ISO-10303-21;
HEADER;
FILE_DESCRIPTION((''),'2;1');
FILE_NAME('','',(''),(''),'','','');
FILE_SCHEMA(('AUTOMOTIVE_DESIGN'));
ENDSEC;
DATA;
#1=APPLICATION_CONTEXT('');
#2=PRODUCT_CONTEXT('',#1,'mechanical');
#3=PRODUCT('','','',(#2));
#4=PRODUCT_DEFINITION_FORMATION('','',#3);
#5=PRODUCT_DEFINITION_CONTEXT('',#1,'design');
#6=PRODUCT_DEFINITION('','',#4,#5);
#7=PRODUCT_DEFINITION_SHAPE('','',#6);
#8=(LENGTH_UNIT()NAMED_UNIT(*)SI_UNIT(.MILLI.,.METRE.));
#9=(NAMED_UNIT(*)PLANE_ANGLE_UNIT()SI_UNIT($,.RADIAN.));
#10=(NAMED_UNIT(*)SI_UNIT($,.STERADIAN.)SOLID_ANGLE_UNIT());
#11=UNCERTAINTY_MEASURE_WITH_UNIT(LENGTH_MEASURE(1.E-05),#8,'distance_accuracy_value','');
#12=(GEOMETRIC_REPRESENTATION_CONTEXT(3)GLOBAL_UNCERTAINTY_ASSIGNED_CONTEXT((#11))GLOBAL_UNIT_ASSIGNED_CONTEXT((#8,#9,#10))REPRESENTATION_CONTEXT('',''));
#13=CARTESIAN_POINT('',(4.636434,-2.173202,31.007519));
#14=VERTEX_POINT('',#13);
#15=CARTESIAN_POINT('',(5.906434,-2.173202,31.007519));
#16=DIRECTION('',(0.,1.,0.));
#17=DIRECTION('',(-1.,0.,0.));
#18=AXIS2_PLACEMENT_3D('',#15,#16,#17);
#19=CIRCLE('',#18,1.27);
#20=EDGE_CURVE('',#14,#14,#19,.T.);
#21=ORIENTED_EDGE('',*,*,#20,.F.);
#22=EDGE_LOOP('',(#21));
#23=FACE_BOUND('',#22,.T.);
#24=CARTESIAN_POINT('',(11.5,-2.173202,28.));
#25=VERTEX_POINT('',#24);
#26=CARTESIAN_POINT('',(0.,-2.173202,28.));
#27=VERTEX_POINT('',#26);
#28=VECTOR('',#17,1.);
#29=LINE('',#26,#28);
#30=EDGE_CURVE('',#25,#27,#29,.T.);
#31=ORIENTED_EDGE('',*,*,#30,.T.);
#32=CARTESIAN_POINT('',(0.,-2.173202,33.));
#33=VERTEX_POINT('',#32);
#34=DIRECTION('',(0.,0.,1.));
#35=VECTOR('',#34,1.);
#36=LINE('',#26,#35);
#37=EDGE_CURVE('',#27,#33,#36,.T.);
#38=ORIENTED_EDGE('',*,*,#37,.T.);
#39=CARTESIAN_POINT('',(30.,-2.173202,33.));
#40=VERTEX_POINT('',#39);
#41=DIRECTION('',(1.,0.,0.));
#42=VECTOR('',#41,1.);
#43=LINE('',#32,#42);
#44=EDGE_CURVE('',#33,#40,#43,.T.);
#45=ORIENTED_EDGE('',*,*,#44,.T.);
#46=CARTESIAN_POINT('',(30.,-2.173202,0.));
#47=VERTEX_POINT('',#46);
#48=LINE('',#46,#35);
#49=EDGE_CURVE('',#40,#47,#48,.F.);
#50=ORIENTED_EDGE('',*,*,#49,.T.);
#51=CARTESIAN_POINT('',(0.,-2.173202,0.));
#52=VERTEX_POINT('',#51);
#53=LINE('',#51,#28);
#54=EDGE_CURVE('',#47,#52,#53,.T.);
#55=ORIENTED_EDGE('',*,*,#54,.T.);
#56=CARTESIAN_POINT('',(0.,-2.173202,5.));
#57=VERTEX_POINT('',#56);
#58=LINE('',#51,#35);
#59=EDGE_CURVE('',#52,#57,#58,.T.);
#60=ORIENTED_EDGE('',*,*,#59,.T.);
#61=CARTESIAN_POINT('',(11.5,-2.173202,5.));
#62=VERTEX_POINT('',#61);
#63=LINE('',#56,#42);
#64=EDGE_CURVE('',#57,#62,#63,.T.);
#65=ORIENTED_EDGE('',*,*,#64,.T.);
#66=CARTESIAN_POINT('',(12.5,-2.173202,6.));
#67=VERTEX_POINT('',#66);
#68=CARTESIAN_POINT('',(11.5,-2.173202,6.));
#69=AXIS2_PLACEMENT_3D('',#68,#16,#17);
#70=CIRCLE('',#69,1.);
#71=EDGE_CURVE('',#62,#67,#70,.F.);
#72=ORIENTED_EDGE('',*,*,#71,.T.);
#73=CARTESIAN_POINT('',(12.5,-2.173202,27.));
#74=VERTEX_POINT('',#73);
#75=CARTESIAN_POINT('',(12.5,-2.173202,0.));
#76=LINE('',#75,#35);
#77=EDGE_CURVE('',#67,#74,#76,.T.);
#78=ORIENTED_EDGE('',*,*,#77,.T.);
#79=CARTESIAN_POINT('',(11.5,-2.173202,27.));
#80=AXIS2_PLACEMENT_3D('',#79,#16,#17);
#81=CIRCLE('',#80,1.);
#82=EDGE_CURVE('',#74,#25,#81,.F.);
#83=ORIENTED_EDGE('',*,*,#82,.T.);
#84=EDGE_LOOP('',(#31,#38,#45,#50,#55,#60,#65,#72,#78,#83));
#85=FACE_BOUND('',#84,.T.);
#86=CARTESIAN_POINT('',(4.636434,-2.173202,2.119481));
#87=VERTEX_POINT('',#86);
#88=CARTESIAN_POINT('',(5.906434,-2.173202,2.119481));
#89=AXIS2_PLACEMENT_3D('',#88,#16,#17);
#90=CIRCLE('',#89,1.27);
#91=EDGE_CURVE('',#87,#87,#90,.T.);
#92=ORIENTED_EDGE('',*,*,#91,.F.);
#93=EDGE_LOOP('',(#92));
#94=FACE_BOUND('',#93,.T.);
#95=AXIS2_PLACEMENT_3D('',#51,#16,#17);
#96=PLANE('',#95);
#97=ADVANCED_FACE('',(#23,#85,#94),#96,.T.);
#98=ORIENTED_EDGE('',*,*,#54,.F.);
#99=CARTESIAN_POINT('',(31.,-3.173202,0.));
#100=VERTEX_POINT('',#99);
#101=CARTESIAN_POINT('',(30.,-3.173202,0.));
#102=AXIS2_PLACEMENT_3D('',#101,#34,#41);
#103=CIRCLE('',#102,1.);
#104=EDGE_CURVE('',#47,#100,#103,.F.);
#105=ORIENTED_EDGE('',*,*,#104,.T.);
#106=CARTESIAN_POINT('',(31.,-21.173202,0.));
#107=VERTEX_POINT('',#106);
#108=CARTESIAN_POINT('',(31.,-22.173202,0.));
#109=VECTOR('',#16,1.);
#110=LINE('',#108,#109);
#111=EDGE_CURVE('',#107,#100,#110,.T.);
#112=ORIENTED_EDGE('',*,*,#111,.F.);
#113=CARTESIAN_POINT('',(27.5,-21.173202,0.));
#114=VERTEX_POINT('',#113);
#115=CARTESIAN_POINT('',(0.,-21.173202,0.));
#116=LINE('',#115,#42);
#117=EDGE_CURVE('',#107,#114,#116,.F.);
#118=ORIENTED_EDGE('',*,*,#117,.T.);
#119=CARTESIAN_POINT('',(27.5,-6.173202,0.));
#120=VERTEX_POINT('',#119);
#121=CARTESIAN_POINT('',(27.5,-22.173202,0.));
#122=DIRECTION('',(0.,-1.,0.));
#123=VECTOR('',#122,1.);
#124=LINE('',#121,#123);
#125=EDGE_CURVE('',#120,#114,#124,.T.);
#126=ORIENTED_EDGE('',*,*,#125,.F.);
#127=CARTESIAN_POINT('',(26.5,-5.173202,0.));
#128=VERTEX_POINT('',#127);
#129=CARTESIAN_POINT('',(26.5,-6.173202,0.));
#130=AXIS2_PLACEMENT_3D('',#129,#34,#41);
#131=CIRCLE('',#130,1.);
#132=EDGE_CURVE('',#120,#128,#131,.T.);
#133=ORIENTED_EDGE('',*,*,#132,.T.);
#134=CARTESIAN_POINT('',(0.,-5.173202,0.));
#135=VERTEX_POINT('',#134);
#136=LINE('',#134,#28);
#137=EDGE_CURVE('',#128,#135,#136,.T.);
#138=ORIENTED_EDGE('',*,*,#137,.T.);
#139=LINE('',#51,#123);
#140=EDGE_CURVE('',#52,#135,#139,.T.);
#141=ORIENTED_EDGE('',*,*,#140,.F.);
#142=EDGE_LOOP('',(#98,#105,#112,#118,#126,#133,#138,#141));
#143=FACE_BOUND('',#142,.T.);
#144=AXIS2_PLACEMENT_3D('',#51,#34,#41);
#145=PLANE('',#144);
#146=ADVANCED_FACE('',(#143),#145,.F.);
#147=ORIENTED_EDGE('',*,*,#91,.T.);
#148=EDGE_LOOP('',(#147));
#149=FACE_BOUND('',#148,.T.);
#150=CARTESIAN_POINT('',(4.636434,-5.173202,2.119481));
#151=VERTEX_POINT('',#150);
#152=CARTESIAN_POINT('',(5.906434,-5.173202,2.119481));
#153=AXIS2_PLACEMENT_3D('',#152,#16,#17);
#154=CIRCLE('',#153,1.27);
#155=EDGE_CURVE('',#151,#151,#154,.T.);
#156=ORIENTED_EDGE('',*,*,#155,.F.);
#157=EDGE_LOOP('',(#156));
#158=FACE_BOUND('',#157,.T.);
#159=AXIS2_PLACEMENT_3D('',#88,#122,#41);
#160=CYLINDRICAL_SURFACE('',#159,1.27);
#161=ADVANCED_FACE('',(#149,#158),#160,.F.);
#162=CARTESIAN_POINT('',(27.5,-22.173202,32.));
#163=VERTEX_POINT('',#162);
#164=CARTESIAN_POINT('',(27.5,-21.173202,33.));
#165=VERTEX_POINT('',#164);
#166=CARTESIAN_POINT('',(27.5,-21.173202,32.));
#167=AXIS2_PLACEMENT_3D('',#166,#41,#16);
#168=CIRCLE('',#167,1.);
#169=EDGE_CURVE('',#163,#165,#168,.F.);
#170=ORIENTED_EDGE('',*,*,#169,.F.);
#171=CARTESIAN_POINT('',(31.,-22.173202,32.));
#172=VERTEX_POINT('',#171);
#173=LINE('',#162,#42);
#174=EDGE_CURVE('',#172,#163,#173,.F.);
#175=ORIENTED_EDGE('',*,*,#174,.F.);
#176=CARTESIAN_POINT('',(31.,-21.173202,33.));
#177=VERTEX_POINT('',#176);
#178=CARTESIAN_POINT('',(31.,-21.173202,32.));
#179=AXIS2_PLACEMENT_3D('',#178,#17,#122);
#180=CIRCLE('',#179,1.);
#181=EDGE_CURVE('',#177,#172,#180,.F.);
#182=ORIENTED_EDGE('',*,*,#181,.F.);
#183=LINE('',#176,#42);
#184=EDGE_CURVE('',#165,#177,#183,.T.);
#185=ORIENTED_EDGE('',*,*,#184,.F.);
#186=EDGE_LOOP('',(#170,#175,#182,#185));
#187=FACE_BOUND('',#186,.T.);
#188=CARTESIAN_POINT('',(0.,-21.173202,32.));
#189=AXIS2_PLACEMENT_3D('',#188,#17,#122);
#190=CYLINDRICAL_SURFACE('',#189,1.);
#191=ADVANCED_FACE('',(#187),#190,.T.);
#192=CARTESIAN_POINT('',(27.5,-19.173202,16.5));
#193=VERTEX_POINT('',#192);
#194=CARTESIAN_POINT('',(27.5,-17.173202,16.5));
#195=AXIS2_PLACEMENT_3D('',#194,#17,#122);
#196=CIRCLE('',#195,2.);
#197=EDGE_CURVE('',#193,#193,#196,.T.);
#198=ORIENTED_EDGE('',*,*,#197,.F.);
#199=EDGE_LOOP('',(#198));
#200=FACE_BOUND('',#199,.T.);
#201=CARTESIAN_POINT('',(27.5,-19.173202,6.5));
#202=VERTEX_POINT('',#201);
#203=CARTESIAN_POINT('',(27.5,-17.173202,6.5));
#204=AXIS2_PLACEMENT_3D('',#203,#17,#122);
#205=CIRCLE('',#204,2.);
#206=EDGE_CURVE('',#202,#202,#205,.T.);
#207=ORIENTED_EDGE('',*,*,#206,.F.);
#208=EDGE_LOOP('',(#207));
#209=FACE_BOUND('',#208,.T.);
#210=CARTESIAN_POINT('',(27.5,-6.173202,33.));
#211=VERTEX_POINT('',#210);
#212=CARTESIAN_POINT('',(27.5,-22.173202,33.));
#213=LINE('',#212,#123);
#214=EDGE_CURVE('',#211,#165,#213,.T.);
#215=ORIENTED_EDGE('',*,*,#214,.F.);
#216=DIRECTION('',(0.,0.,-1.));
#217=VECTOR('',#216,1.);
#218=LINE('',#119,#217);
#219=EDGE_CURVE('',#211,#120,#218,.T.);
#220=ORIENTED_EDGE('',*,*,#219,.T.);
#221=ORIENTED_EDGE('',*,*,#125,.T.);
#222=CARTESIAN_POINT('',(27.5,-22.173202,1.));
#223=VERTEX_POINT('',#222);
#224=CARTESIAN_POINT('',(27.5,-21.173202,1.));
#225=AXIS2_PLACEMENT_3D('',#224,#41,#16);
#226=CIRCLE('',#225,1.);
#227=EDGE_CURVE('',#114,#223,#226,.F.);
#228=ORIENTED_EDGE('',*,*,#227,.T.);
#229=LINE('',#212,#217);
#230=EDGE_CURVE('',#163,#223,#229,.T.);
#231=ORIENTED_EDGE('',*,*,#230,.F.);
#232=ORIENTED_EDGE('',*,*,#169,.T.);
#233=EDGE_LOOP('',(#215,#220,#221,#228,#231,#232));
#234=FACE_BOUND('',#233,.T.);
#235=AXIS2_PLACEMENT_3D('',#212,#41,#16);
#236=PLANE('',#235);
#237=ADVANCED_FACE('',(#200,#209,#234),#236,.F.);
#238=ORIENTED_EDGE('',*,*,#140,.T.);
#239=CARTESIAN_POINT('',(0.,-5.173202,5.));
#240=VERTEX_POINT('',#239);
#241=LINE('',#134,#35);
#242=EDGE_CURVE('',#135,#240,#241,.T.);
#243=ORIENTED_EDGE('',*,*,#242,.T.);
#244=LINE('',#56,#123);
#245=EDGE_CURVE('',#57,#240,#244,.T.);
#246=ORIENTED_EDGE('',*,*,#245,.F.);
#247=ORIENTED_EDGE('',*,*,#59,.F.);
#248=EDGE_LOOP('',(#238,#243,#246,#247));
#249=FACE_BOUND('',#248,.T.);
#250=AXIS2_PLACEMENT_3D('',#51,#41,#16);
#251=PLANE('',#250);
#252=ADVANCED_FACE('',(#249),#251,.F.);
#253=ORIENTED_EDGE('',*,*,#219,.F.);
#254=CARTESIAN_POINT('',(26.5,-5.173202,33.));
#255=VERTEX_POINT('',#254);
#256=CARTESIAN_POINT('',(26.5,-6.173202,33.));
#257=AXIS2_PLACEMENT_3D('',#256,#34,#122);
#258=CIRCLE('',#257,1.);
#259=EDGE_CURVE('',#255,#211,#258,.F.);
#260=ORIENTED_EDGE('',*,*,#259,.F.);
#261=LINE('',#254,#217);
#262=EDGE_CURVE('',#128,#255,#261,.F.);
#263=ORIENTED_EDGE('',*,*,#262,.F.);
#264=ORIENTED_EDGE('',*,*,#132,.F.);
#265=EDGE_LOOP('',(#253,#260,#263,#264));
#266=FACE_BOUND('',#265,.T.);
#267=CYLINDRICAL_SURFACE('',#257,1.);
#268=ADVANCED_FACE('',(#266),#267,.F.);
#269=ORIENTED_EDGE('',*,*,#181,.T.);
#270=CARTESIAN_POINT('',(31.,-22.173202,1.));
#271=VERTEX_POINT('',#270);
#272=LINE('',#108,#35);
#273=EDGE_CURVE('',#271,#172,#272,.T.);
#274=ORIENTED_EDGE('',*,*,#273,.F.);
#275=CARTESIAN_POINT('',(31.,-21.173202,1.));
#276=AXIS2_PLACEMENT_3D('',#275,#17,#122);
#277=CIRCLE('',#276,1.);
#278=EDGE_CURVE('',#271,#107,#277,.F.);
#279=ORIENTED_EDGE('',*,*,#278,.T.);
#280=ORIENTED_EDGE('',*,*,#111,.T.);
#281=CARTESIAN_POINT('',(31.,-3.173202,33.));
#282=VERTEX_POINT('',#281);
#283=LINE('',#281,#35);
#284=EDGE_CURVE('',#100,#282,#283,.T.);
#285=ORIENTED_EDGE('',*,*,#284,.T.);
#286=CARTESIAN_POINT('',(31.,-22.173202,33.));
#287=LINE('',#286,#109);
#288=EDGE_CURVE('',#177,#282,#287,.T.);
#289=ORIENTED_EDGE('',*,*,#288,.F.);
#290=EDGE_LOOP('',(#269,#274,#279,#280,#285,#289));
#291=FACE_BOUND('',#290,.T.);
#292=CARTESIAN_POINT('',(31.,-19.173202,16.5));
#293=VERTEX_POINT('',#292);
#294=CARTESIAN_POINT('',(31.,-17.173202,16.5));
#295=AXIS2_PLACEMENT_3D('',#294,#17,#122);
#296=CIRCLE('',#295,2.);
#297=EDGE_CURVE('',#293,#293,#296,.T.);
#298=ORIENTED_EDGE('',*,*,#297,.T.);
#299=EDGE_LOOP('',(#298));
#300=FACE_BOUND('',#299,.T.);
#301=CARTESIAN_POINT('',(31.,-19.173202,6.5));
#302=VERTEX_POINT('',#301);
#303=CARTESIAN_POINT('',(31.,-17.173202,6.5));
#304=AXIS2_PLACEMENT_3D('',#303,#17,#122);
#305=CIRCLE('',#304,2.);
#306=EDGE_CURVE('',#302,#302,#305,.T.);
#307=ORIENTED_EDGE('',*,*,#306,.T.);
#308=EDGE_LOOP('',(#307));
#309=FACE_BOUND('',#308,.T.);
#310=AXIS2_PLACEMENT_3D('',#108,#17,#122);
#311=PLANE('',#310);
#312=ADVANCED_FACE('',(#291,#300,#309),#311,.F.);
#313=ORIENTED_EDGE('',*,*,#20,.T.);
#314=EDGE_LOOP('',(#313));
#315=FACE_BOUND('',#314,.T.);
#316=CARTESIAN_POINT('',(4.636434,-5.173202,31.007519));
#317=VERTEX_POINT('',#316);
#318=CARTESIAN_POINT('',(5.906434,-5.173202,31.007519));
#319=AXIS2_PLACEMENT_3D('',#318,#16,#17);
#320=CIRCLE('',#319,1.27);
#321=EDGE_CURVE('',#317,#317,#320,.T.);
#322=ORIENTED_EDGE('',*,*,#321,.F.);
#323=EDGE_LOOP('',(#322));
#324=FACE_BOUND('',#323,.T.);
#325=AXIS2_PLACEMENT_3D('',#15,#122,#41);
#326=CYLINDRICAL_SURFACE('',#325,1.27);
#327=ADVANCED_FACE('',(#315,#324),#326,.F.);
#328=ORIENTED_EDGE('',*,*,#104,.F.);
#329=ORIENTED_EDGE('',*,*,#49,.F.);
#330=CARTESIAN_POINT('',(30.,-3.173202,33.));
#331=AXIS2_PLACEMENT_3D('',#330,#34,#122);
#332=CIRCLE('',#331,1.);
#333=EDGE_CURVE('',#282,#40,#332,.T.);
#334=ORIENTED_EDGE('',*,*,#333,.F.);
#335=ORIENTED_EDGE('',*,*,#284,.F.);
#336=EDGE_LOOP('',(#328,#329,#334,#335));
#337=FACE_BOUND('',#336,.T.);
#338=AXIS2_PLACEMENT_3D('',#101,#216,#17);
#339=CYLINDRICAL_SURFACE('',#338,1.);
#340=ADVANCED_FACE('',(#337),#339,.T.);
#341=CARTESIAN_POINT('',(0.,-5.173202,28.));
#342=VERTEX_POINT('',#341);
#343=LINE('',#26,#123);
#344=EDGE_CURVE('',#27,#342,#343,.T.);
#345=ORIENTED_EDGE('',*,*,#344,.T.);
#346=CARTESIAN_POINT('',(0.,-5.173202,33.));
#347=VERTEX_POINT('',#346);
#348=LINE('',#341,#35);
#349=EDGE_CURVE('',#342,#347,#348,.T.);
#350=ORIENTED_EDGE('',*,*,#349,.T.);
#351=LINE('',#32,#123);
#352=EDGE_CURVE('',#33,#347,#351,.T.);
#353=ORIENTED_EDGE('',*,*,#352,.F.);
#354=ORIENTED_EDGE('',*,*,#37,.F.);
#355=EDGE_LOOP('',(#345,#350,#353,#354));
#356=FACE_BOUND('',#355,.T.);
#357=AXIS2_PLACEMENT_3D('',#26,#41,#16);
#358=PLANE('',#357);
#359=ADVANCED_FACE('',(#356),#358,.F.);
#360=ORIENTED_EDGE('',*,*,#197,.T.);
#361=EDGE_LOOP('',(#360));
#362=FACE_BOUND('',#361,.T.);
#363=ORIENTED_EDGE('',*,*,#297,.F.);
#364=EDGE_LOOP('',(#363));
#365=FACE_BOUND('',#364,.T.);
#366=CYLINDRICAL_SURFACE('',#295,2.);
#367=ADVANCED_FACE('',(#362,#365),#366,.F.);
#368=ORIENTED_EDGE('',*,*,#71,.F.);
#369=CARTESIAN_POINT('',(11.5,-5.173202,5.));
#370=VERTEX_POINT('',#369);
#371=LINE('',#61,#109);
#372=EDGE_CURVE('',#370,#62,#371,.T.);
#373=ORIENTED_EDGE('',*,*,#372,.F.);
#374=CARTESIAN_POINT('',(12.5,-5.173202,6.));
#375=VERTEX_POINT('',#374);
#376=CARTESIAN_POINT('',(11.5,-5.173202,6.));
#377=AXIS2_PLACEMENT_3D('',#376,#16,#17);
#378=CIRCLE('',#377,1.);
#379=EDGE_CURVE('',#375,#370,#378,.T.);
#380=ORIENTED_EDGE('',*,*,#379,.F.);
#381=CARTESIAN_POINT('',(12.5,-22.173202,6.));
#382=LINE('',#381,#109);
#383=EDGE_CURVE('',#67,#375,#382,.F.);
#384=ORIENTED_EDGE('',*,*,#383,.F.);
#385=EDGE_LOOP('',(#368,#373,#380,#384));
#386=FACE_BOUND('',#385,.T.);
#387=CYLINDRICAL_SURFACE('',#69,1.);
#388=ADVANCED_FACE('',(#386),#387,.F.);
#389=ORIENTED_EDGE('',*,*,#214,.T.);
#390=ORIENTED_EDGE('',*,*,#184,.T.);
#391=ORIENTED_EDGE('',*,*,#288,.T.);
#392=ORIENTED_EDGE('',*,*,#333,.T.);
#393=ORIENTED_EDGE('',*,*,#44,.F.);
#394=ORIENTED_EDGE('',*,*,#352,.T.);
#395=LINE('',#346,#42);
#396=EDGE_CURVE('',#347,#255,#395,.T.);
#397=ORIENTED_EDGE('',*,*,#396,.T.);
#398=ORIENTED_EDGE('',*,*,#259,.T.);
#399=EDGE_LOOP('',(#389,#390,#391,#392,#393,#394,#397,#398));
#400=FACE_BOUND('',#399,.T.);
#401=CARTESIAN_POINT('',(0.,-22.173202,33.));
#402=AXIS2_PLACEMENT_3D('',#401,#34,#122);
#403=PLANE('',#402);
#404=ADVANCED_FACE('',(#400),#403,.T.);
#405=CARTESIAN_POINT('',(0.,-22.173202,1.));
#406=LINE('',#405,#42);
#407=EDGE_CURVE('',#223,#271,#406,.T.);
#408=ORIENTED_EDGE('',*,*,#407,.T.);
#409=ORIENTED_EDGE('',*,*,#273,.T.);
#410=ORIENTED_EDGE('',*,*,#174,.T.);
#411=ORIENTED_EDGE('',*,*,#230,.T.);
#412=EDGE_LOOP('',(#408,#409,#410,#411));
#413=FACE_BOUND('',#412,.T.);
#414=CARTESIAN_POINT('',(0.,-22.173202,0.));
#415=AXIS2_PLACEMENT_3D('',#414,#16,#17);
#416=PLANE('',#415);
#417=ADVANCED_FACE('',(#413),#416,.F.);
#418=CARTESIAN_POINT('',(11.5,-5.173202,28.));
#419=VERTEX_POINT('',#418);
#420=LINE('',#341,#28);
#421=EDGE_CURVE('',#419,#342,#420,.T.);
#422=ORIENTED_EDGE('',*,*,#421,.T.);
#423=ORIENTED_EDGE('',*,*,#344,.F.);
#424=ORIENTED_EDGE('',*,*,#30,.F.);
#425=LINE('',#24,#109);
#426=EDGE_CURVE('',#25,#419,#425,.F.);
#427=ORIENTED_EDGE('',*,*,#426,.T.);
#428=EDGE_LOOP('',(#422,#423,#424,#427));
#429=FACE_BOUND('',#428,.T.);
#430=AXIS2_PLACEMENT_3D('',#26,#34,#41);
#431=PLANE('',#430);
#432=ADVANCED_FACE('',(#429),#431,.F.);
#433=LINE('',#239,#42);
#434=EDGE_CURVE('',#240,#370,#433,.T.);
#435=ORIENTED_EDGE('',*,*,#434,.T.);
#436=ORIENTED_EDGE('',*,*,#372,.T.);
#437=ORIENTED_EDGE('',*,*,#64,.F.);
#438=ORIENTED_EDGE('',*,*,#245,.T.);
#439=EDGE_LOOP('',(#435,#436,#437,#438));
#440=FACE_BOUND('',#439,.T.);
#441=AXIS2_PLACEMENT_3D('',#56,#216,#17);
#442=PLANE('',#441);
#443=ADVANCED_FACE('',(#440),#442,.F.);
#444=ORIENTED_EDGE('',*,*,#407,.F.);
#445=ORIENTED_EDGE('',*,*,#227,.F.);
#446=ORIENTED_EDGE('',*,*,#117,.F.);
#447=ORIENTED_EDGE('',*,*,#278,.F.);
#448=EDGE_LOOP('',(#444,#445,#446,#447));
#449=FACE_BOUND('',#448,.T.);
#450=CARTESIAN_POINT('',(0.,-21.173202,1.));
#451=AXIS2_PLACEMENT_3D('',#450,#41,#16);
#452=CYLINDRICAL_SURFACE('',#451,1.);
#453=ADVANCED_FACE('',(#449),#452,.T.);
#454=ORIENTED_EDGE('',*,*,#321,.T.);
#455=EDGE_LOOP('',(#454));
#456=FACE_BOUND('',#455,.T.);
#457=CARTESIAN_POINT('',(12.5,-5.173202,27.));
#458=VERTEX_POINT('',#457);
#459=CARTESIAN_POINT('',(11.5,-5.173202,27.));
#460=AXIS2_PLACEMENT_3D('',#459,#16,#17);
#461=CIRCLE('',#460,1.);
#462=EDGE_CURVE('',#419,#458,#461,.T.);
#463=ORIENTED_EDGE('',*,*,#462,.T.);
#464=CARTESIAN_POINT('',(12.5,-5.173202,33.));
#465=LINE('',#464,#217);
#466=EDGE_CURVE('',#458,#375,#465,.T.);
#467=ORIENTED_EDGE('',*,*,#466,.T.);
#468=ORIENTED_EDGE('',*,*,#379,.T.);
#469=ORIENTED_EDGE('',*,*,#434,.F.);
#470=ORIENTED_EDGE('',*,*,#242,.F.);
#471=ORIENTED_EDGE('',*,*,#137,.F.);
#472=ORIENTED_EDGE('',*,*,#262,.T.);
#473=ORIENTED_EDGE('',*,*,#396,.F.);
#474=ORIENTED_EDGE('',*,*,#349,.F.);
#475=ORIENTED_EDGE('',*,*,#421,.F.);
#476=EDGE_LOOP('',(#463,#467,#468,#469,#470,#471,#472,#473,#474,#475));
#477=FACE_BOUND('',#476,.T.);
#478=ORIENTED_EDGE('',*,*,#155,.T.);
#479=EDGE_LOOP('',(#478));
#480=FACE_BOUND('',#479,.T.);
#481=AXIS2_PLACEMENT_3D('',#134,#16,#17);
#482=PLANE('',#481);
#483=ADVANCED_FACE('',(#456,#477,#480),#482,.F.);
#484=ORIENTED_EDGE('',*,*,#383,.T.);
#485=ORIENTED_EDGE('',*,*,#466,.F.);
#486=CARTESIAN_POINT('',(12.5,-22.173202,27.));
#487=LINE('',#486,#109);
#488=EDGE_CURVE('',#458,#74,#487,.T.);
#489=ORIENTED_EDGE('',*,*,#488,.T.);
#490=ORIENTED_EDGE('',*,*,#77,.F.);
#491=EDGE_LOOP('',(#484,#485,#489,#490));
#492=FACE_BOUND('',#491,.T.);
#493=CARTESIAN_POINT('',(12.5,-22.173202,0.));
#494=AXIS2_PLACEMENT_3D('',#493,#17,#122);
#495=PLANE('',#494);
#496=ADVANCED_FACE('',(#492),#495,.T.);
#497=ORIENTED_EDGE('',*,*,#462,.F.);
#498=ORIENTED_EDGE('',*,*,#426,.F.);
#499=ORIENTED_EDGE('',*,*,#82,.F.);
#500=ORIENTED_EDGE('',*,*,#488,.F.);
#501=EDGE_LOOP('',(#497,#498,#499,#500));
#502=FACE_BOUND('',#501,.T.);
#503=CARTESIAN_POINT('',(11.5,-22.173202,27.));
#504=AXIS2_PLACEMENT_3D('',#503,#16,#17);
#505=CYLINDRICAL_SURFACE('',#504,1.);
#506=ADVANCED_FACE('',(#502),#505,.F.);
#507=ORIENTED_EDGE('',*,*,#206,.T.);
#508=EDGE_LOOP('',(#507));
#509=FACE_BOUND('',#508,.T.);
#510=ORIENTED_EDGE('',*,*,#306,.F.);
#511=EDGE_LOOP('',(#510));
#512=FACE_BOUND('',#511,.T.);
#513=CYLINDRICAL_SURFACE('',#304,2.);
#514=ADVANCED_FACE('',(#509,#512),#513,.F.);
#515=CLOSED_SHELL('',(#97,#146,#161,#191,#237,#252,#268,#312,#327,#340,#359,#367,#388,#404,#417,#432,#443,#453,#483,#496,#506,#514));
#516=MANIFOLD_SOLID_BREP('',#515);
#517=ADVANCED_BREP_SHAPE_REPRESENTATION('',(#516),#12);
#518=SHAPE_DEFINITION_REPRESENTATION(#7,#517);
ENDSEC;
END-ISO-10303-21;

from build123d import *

# Parameters (mm, degrees)
SKETCH1_W             = 15
SKETCH1_H             = 5
SKETCH1_R             = 1.27
BOSS_EXTRUDE1_DEPTH   = 3
BOSS_EXTRUDE1_2_DEPTH = 3
SKETCH2_W             = 2.5
SKETCH2_H             = 28
SKETCH2_H_2           = 5
BOSS_EXTRUDE2_DEPTH   = 20
SKETCH3_W             = 15
SKETCH3_H             = 17
CUT_EXTRUDE1_DEPTH    = 34
SKETCH4_R             = 2
CUT_EXTRUDE2_DEPTH    = 4.5
FILLET1_R             = 1


with BuildPart() as part:
    # Sketch1 → Boss-Extrude1 (new body)
    with BuildSketch(Plane(origin=(0, -5.173201946, 0), x_dir=(1, 0, 0), z_dir=(0, 1, 0))):
        with Locations((7.5, -2.5)):
            Rectangle(SKETCH1_W, SKETCH1_H)
        with Locations((5.906433977, -2.119480538)):
            Circle(SKETCH1_R, mode=Mode.SUBTRACT)
    extrude(amount=BOSS_EXTRUDE1_DEPTH)



with BuildPart() as body_2:
    # Sketch1 → Boss-Extrude1 2 (new body)
    with BuildSketch(Plane(origin=(0, -5.173201946, 0), x_dir=(1, 0, 0), z_dir=(0, 1, 0))):
        with Locations((7.5, -30.5)):
            Rectangle(SKETCH1_W, SKETCH1_H)
        with Locations((5.906433977, -31.007519462)):
            Circle(SKETCH1_R, mode=Mode.SUBTRACT)
    extrude(amount=BOSS_EXTRUDE1_2_DEPTH)


with BuildPart() as part_1:
    add(part.part)

    add(body_2.part)  # Boss-Extrude2 merges body 2
    # Sketch2 → Boss-Extrude2 (add)
    with BuildSketch(Plane(origin=(0, -2.173201946, 0), x_dir=(1, 0, 0), z_dir=(0, 1, 0))):
        with Locations((13.75, -14)):
            Rectangle(SKETCH2_W, SKETCH2_H)
        Polygon((31, 0), (15, 0), (15, -28), (15, -33), (31, -33), align=None)
        with Locations((13.75, -30.5)):
            Rectangle(SKETCH2_W, SKETCH2_H_2)
    extrude(amount=-BOSS_EXTRUDE2_DEPTH)

    # Sketch3 → Cut-Extrude1 (cut, through all)
    with BuildSketch(Plane(origin=(0, 0, 0), x_dir=(-1, 0, 0), z_dir=(0, 0, -1))):
        with Locations((-20, -13.673201946)):
            Rectangle(SKETCH3_W, SKETCH3_H)
    extrude(amount=-CUT_EXTRUDE1_DEPTH, mode=Mode.SUBTRACT)

    # Sketch4 → Cut-Extrude2 (cut, through all)
    with BuildSketch(Plane.ZY.offset(-27.5)):
        with Locations((16.5, -17.173201946)):
            Circle(SKETCH4_R)
        with Locations((6.5, -17.173201946)):
            Circle(SKETCH4_R)
    extrude(amount=-CUT_EXTRUDE2_DEPTH, mode=Mode.SUBTRACT)

    # Fillet1
    fillet1_edges = [part_1.edges().sort_by_distance(p)[0] for p in [
        (12.5, -3.673201946, 5),
        (31, -2.173201946, 16.5),
        (12.5, -3.673201946, 28),
        (29.25, -22.173201946, 33),
        (29.25, -22.173201946, 0),
        (27.5, -5.173201946, 16.5),
    ]]
    fillet(fillet1_edges, radius=FILLET1_R)


solid = part_1.part
